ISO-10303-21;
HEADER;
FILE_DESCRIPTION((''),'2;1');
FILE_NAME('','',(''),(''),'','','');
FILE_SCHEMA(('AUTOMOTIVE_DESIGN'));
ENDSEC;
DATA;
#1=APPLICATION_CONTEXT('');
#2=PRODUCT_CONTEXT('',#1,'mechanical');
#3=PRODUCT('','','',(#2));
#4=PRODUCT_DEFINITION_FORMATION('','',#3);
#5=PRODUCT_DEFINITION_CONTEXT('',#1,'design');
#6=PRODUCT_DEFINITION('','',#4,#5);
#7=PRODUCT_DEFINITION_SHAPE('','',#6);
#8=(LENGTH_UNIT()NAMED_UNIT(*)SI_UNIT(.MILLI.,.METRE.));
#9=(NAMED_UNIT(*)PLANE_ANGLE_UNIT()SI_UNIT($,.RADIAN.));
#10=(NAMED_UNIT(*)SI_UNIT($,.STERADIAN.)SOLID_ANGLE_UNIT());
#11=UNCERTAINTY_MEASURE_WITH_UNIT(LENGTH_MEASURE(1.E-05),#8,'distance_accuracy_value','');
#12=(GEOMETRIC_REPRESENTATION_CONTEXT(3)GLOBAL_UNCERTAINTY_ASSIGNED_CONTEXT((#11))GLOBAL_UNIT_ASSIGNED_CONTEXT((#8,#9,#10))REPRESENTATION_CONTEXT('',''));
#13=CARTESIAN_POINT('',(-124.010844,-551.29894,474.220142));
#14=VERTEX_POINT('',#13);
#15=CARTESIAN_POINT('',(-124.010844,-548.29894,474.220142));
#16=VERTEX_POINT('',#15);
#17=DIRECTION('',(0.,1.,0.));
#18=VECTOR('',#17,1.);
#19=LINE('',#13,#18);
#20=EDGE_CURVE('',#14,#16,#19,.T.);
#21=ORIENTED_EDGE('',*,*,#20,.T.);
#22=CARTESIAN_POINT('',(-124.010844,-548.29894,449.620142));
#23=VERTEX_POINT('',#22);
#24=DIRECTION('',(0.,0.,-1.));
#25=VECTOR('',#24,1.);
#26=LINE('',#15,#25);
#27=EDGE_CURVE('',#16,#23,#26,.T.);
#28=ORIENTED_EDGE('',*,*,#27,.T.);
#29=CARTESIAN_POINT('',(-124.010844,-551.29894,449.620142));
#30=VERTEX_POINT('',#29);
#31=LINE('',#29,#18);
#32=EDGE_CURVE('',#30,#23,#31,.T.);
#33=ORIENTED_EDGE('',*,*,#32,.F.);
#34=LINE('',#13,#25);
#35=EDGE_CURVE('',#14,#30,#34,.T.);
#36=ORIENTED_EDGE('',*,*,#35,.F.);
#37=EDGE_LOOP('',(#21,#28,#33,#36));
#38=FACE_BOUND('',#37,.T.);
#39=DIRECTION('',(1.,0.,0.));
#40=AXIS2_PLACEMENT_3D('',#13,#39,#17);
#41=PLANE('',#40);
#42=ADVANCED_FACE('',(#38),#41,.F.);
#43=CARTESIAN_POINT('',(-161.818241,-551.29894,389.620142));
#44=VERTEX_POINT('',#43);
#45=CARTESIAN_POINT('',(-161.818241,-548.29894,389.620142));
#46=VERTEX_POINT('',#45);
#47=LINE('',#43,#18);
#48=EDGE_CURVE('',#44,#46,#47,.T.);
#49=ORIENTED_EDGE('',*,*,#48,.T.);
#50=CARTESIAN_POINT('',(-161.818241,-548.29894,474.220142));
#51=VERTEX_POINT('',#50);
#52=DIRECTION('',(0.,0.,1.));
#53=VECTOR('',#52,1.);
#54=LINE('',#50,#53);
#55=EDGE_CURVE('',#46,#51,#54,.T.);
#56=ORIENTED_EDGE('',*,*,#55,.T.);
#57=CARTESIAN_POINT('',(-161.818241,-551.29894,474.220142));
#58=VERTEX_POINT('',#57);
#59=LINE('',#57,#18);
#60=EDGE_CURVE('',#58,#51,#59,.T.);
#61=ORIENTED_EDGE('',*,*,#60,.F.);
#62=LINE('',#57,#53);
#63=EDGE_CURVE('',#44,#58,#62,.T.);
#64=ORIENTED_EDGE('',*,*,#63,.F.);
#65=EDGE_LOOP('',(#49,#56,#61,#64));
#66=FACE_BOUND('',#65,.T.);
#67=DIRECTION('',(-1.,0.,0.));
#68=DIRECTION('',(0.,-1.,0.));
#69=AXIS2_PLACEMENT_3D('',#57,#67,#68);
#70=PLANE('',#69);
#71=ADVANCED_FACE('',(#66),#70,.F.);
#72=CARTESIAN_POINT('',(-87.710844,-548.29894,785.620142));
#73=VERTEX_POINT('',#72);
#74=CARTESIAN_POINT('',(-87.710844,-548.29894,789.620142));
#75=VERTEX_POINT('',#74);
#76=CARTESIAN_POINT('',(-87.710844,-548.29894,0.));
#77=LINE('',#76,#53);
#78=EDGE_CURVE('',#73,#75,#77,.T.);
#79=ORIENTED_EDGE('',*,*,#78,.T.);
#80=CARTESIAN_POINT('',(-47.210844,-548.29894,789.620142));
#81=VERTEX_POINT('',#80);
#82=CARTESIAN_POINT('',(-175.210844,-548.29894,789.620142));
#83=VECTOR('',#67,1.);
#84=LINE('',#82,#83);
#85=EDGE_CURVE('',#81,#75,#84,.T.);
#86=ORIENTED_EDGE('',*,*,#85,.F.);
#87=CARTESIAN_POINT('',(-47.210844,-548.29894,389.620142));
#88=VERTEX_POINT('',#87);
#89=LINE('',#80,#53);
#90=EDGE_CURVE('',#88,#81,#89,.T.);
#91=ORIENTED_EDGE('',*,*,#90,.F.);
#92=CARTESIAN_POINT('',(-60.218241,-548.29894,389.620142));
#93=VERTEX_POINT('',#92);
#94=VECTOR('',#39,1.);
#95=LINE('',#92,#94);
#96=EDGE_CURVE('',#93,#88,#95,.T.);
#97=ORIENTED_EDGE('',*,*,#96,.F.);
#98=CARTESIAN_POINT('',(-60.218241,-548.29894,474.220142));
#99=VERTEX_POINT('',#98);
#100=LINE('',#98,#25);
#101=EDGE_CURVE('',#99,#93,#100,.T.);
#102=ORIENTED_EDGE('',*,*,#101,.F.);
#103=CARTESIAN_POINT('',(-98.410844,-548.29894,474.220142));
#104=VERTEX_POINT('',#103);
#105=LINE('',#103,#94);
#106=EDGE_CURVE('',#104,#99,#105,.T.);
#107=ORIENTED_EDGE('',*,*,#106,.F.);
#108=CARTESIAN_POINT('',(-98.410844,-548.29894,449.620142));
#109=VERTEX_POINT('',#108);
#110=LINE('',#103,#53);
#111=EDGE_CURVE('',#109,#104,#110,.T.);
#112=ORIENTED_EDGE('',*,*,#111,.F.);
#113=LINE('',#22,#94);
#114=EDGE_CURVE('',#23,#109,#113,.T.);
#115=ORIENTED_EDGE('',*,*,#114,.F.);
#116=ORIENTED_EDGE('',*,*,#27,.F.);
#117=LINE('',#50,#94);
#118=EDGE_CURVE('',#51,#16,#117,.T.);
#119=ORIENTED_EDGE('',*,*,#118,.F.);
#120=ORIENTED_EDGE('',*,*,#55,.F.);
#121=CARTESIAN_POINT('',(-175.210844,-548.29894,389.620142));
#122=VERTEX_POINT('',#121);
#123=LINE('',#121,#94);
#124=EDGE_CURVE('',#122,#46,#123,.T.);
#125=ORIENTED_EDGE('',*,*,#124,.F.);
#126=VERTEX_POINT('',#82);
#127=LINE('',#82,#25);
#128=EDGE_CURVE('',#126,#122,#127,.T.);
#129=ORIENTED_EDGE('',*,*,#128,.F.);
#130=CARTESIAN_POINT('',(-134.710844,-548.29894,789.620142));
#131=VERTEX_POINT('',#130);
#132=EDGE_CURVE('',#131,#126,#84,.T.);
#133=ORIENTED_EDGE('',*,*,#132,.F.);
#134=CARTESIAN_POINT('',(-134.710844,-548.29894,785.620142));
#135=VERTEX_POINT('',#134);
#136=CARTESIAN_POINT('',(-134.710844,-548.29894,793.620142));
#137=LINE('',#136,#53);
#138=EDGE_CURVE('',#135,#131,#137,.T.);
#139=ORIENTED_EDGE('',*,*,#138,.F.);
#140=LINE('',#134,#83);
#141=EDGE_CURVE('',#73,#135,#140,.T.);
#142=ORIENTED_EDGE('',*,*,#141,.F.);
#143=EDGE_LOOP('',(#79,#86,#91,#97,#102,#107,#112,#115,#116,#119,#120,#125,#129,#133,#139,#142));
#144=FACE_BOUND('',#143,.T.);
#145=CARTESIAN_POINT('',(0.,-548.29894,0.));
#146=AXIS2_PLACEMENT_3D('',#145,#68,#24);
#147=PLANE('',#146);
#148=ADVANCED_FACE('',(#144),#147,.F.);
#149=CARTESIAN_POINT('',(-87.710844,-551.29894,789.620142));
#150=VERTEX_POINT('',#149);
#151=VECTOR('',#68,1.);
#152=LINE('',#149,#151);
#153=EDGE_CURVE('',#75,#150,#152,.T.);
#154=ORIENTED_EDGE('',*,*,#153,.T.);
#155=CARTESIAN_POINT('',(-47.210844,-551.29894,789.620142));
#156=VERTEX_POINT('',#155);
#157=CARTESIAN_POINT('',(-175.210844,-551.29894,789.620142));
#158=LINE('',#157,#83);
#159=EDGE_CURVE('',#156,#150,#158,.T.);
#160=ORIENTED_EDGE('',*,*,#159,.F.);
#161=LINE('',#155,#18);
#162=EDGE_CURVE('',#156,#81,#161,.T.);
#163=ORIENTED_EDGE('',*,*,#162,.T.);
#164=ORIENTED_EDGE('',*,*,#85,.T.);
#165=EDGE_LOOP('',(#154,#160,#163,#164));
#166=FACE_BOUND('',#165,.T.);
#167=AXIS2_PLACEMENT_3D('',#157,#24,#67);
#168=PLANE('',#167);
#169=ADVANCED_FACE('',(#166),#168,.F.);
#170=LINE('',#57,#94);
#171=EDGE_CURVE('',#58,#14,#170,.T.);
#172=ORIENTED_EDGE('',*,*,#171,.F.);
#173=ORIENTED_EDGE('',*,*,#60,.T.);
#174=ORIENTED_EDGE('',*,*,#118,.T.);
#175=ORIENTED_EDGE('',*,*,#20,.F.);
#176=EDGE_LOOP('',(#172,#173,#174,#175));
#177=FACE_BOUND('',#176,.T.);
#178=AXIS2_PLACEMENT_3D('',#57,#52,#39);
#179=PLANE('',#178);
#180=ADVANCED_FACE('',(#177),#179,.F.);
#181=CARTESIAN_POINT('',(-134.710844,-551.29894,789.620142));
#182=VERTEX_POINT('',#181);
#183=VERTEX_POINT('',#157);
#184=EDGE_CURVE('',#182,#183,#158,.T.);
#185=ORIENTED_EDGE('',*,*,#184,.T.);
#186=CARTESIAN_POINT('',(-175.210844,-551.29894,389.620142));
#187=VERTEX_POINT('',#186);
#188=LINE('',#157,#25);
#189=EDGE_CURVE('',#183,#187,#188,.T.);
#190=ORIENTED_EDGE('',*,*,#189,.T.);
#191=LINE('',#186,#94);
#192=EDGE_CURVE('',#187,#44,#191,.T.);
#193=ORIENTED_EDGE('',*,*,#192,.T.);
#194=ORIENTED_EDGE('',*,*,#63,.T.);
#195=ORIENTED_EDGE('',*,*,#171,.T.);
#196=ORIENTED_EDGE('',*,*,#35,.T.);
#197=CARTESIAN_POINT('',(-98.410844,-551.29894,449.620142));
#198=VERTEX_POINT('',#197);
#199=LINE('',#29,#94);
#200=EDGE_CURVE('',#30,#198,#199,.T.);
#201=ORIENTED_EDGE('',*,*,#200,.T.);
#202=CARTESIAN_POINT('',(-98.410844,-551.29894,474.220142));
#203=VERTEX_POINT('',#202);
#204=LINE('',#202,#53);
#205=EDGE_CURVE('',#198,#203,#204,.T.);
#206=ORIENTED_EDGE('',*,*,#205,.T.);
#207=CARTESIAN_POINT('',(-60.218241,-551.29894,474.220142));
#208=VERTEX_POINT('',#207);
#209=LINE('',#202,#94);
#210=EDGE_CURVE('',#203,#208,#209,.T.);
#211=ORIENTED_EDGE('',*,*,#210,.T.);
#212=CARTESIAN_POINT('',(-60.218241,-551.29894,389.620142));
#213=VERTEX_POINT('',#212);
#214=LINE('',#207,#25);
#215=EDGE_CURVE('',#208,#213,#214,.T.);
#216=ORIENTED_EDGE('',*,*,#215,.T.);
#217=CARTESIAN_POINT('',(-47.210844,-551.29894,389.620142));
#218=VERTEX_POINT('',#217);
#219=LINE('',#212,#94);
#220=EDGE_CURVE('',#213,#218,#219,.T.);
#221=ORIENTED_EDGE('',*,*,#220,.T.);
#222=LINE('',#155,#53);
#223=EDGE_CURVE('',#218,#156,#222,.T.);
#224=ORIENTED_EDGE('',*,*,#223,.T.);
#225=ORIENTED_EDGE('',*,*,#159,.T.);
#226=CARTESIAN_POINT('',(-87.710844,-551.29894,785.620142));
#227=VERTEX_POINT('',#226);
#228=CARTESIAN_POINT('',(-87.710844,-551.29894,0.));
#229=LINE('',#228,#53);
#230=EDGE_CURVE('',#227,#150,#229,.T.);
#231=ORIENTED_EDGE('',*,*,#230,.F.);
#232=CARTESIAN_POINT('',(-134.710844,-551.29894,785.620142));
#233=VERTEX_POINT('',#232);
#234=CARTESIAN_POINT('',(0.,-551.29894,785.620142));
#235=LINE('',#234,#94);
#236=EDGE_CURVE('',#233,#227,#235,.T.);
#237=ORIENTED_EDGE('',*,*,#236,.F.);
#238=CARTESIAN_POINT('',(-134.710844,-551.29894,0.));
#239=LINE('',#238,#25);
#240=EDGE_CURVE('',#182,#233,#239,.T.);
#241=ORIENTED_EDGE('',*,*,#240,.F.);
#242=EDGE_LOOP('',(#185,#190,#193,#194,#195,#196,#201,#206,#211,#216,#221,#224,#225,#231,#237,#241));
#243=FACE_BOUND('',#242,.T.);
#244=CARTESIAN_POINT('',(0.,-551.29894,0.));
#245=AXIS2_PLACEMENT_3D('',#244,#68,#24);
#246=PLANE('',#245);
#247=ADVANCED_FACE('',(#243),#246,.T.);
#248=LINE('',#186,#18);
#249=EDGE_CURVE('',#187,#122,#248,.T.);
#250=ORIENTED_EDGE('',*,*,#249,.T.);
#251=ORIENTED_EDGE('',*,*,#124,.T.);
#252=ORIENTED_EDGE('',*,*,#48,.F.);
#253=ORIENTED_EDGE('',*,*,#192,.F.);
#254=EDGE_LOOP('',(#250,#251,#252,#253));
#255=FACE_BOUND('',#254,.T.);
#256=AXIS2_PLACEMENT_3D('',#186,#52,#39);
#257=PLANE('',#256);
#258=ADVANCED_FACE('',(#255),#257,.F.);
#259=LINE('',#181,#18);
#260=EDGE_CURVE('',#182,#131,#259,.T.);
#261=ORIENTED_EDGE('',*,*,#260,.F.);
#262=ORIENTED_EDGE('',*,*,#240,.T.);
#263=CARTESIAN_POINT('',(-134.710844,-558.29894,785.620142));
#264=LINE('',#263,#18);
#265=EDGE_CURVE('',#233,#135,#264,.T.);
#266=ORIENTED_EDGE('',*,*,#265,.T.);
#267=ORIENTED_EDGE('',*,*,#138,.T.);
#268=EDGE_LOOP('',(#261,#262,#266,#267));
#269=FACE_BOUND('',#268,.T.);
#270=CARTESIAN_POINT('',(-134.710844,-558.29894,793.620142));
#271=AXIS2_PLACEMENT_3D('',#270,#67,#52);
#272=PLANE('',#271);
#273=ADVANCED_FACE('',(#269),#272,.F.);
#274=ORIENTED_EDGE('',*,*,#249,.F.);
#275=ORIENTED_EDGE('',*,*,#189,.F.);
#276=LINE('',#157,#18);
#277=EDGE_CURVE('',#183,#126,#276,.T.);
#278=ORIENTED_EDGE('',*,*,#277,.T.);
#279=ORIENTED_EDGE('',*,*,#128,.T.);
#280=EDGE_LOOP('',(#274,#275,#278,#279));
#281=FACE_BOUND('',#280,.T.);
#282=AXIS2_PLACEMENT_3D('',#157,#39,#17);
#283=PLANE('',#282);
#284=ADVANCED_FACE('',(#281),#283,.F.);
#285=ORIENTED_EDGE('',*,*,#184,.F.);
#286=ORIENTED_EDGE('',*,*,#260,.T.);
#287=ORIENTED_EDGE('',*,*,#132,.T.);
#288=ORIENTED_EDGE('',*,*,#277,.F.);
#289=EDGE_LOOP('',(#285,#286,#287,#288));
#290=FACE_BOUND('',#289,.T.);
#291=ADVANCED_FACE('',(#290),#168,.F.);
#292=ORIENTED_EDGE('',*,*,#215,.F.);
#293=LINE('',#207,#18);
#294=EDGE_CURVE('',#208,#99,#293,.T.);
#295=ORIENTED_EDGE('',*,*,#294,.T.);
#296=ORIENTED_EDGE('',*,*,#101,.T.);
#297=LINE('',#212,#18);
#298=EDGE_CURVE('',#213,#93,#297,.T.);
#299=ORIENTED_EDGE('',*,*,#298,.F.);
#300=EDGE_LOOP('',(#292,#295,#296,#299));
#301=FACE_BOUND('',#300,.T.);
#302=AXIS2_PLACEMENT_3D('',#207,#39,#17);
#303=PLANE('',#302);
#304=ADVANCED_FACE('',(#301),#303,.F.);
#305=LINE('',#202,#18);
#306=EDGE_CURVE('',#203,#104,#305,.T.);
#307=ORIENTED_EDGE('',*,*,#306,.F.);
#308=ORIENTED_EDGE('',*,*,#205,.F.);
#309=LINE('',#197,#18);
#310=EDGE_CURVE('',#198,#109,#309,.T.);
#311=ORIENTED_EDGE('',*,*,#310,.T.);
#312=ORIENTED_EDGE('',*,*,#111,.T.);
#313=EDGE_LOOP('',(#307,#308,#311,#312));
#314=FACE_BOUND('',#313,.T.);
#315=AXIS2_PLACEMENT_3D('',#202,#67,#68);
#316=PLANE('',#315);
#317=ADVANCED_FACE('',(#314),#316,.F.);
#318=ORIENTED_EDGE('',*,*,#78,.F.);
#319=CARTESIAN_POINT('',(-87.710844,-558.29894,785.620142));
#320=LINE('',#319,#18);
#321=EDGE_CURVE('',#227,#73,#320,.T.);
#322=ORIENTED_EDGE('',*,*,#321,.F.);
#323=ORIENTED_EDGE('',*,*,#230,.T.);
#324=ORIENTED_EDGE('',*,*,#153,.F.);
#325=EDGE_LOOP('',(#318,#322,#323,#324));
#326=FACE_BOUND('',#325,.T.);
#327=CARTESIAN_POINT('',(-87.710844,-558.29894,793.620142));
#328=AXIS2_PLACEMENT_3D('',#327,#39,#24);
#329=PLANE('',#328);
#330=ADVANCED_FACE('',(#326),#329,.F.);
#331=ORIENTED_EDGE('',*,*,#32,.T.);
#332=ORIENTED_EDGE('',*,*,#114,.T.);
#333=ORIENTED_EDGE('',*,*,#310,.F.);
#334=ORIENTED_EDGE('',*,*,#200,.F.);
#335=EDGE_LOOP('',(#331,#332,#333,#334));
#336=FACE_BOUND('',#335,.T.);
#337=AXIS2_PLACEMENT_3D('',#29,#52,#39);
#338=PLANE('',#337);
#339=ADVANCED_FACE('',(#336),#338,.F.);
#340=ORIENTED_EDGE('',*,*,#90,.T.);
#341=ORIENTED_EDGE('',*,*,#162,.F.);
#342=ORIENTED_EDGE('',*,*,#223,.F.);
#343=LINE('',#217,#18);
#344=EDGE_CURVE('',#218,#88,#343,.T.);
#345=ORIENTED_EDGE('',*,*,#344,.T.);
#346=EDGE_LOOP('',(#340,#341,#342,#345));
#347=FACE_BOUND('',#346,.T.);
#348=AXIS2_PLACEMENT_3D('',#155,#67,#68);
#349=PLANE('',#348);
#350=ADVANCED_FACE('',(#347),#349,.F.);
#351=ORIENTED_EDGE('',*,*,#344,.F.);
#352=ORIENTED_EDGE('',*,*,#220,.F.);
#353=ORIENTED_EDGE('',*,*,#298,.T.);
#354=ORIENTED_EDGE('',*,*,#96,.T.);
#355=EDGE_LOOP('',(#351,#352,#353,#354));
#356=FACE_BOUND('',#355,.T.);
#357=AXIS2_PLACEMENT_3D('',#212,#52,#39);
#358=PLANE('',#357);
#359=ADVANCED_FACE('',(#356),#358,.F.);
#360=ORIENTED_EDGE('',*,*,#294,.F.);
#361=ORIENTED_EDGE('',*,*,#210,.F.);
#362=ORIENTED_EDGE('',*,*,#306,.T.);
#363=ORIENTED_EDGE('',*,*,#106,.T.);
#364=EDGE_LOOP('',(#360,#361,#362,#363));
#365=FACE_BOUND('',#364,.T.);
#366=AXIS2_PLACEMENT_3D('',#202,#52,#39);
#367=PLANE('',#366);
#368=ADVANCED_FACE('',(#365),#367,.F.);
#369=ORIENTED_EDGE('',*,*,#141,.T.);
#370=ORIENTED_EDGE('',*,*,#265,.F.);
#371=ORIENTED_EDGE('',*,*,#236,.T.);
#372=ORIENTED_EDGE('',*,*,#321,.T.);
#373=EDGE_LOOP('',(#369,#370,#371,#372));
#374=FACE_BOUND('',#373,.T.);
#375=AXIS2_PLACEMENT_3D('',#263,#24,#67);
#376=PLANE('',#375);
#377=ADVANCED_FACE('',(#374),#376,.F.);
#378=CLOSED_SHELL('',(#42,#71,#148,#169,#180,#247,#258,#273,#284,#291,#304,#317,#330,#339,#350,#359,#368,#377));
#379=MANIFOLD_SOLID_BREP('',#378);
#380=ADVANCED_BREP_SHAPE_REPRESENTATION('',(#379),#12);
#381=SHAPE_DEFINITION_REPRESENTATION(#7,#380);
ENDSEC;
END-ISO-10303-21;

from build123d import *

# Parameters (mm, degrees)
BOSS_EXTRUDE1_DEPTH = 3
SKETCH2_W           = 47
SKETCH2_H           = 8
CUT_EXTRUDE1_DEPTH  = 10


with BuildPart() as part:
    # Sketch1 → Boss-Extrude1 (new body)
    with BuildSketch(Plane.XZ.offset(548.298939869)):
        Polygon((-175.210843614, 789.620141885), (-47.210843614, 789.620141885), (-47.210843614, 389.620141885), (-60.218241118, 389.620141885), (-60.218241118, 474.220141885), (-98.410843614, 474.220141885), (-98.410843614, 449.620141885), (-124.010843614, 449.620141885), (-124.010843614, 474.220141885), (-161.818241118, 474.220141885), (-161.818241118, 389.620141885), (-175.210843614, 389.620141885), align=None)
    extrude(amount=BOSS_EXTRUDE1_DEPTH)

    # Sketch2 → Cut-Extrude1 (cut)
    with BuildSketch(Plane(origin=(0, -548.298939869, 0), x_dir=(1, 0, 0), z_dir=(0, 1, 0))):
        with Locations((-111.210843614, -789.620141885)):
            Rectangle(SKETCH2_W, SKETCH2_H)
    extrude(amount=-CUT_EXTRUDE1_DEPTH, mode=Mode.SUBTRACT)


solid = part.part
